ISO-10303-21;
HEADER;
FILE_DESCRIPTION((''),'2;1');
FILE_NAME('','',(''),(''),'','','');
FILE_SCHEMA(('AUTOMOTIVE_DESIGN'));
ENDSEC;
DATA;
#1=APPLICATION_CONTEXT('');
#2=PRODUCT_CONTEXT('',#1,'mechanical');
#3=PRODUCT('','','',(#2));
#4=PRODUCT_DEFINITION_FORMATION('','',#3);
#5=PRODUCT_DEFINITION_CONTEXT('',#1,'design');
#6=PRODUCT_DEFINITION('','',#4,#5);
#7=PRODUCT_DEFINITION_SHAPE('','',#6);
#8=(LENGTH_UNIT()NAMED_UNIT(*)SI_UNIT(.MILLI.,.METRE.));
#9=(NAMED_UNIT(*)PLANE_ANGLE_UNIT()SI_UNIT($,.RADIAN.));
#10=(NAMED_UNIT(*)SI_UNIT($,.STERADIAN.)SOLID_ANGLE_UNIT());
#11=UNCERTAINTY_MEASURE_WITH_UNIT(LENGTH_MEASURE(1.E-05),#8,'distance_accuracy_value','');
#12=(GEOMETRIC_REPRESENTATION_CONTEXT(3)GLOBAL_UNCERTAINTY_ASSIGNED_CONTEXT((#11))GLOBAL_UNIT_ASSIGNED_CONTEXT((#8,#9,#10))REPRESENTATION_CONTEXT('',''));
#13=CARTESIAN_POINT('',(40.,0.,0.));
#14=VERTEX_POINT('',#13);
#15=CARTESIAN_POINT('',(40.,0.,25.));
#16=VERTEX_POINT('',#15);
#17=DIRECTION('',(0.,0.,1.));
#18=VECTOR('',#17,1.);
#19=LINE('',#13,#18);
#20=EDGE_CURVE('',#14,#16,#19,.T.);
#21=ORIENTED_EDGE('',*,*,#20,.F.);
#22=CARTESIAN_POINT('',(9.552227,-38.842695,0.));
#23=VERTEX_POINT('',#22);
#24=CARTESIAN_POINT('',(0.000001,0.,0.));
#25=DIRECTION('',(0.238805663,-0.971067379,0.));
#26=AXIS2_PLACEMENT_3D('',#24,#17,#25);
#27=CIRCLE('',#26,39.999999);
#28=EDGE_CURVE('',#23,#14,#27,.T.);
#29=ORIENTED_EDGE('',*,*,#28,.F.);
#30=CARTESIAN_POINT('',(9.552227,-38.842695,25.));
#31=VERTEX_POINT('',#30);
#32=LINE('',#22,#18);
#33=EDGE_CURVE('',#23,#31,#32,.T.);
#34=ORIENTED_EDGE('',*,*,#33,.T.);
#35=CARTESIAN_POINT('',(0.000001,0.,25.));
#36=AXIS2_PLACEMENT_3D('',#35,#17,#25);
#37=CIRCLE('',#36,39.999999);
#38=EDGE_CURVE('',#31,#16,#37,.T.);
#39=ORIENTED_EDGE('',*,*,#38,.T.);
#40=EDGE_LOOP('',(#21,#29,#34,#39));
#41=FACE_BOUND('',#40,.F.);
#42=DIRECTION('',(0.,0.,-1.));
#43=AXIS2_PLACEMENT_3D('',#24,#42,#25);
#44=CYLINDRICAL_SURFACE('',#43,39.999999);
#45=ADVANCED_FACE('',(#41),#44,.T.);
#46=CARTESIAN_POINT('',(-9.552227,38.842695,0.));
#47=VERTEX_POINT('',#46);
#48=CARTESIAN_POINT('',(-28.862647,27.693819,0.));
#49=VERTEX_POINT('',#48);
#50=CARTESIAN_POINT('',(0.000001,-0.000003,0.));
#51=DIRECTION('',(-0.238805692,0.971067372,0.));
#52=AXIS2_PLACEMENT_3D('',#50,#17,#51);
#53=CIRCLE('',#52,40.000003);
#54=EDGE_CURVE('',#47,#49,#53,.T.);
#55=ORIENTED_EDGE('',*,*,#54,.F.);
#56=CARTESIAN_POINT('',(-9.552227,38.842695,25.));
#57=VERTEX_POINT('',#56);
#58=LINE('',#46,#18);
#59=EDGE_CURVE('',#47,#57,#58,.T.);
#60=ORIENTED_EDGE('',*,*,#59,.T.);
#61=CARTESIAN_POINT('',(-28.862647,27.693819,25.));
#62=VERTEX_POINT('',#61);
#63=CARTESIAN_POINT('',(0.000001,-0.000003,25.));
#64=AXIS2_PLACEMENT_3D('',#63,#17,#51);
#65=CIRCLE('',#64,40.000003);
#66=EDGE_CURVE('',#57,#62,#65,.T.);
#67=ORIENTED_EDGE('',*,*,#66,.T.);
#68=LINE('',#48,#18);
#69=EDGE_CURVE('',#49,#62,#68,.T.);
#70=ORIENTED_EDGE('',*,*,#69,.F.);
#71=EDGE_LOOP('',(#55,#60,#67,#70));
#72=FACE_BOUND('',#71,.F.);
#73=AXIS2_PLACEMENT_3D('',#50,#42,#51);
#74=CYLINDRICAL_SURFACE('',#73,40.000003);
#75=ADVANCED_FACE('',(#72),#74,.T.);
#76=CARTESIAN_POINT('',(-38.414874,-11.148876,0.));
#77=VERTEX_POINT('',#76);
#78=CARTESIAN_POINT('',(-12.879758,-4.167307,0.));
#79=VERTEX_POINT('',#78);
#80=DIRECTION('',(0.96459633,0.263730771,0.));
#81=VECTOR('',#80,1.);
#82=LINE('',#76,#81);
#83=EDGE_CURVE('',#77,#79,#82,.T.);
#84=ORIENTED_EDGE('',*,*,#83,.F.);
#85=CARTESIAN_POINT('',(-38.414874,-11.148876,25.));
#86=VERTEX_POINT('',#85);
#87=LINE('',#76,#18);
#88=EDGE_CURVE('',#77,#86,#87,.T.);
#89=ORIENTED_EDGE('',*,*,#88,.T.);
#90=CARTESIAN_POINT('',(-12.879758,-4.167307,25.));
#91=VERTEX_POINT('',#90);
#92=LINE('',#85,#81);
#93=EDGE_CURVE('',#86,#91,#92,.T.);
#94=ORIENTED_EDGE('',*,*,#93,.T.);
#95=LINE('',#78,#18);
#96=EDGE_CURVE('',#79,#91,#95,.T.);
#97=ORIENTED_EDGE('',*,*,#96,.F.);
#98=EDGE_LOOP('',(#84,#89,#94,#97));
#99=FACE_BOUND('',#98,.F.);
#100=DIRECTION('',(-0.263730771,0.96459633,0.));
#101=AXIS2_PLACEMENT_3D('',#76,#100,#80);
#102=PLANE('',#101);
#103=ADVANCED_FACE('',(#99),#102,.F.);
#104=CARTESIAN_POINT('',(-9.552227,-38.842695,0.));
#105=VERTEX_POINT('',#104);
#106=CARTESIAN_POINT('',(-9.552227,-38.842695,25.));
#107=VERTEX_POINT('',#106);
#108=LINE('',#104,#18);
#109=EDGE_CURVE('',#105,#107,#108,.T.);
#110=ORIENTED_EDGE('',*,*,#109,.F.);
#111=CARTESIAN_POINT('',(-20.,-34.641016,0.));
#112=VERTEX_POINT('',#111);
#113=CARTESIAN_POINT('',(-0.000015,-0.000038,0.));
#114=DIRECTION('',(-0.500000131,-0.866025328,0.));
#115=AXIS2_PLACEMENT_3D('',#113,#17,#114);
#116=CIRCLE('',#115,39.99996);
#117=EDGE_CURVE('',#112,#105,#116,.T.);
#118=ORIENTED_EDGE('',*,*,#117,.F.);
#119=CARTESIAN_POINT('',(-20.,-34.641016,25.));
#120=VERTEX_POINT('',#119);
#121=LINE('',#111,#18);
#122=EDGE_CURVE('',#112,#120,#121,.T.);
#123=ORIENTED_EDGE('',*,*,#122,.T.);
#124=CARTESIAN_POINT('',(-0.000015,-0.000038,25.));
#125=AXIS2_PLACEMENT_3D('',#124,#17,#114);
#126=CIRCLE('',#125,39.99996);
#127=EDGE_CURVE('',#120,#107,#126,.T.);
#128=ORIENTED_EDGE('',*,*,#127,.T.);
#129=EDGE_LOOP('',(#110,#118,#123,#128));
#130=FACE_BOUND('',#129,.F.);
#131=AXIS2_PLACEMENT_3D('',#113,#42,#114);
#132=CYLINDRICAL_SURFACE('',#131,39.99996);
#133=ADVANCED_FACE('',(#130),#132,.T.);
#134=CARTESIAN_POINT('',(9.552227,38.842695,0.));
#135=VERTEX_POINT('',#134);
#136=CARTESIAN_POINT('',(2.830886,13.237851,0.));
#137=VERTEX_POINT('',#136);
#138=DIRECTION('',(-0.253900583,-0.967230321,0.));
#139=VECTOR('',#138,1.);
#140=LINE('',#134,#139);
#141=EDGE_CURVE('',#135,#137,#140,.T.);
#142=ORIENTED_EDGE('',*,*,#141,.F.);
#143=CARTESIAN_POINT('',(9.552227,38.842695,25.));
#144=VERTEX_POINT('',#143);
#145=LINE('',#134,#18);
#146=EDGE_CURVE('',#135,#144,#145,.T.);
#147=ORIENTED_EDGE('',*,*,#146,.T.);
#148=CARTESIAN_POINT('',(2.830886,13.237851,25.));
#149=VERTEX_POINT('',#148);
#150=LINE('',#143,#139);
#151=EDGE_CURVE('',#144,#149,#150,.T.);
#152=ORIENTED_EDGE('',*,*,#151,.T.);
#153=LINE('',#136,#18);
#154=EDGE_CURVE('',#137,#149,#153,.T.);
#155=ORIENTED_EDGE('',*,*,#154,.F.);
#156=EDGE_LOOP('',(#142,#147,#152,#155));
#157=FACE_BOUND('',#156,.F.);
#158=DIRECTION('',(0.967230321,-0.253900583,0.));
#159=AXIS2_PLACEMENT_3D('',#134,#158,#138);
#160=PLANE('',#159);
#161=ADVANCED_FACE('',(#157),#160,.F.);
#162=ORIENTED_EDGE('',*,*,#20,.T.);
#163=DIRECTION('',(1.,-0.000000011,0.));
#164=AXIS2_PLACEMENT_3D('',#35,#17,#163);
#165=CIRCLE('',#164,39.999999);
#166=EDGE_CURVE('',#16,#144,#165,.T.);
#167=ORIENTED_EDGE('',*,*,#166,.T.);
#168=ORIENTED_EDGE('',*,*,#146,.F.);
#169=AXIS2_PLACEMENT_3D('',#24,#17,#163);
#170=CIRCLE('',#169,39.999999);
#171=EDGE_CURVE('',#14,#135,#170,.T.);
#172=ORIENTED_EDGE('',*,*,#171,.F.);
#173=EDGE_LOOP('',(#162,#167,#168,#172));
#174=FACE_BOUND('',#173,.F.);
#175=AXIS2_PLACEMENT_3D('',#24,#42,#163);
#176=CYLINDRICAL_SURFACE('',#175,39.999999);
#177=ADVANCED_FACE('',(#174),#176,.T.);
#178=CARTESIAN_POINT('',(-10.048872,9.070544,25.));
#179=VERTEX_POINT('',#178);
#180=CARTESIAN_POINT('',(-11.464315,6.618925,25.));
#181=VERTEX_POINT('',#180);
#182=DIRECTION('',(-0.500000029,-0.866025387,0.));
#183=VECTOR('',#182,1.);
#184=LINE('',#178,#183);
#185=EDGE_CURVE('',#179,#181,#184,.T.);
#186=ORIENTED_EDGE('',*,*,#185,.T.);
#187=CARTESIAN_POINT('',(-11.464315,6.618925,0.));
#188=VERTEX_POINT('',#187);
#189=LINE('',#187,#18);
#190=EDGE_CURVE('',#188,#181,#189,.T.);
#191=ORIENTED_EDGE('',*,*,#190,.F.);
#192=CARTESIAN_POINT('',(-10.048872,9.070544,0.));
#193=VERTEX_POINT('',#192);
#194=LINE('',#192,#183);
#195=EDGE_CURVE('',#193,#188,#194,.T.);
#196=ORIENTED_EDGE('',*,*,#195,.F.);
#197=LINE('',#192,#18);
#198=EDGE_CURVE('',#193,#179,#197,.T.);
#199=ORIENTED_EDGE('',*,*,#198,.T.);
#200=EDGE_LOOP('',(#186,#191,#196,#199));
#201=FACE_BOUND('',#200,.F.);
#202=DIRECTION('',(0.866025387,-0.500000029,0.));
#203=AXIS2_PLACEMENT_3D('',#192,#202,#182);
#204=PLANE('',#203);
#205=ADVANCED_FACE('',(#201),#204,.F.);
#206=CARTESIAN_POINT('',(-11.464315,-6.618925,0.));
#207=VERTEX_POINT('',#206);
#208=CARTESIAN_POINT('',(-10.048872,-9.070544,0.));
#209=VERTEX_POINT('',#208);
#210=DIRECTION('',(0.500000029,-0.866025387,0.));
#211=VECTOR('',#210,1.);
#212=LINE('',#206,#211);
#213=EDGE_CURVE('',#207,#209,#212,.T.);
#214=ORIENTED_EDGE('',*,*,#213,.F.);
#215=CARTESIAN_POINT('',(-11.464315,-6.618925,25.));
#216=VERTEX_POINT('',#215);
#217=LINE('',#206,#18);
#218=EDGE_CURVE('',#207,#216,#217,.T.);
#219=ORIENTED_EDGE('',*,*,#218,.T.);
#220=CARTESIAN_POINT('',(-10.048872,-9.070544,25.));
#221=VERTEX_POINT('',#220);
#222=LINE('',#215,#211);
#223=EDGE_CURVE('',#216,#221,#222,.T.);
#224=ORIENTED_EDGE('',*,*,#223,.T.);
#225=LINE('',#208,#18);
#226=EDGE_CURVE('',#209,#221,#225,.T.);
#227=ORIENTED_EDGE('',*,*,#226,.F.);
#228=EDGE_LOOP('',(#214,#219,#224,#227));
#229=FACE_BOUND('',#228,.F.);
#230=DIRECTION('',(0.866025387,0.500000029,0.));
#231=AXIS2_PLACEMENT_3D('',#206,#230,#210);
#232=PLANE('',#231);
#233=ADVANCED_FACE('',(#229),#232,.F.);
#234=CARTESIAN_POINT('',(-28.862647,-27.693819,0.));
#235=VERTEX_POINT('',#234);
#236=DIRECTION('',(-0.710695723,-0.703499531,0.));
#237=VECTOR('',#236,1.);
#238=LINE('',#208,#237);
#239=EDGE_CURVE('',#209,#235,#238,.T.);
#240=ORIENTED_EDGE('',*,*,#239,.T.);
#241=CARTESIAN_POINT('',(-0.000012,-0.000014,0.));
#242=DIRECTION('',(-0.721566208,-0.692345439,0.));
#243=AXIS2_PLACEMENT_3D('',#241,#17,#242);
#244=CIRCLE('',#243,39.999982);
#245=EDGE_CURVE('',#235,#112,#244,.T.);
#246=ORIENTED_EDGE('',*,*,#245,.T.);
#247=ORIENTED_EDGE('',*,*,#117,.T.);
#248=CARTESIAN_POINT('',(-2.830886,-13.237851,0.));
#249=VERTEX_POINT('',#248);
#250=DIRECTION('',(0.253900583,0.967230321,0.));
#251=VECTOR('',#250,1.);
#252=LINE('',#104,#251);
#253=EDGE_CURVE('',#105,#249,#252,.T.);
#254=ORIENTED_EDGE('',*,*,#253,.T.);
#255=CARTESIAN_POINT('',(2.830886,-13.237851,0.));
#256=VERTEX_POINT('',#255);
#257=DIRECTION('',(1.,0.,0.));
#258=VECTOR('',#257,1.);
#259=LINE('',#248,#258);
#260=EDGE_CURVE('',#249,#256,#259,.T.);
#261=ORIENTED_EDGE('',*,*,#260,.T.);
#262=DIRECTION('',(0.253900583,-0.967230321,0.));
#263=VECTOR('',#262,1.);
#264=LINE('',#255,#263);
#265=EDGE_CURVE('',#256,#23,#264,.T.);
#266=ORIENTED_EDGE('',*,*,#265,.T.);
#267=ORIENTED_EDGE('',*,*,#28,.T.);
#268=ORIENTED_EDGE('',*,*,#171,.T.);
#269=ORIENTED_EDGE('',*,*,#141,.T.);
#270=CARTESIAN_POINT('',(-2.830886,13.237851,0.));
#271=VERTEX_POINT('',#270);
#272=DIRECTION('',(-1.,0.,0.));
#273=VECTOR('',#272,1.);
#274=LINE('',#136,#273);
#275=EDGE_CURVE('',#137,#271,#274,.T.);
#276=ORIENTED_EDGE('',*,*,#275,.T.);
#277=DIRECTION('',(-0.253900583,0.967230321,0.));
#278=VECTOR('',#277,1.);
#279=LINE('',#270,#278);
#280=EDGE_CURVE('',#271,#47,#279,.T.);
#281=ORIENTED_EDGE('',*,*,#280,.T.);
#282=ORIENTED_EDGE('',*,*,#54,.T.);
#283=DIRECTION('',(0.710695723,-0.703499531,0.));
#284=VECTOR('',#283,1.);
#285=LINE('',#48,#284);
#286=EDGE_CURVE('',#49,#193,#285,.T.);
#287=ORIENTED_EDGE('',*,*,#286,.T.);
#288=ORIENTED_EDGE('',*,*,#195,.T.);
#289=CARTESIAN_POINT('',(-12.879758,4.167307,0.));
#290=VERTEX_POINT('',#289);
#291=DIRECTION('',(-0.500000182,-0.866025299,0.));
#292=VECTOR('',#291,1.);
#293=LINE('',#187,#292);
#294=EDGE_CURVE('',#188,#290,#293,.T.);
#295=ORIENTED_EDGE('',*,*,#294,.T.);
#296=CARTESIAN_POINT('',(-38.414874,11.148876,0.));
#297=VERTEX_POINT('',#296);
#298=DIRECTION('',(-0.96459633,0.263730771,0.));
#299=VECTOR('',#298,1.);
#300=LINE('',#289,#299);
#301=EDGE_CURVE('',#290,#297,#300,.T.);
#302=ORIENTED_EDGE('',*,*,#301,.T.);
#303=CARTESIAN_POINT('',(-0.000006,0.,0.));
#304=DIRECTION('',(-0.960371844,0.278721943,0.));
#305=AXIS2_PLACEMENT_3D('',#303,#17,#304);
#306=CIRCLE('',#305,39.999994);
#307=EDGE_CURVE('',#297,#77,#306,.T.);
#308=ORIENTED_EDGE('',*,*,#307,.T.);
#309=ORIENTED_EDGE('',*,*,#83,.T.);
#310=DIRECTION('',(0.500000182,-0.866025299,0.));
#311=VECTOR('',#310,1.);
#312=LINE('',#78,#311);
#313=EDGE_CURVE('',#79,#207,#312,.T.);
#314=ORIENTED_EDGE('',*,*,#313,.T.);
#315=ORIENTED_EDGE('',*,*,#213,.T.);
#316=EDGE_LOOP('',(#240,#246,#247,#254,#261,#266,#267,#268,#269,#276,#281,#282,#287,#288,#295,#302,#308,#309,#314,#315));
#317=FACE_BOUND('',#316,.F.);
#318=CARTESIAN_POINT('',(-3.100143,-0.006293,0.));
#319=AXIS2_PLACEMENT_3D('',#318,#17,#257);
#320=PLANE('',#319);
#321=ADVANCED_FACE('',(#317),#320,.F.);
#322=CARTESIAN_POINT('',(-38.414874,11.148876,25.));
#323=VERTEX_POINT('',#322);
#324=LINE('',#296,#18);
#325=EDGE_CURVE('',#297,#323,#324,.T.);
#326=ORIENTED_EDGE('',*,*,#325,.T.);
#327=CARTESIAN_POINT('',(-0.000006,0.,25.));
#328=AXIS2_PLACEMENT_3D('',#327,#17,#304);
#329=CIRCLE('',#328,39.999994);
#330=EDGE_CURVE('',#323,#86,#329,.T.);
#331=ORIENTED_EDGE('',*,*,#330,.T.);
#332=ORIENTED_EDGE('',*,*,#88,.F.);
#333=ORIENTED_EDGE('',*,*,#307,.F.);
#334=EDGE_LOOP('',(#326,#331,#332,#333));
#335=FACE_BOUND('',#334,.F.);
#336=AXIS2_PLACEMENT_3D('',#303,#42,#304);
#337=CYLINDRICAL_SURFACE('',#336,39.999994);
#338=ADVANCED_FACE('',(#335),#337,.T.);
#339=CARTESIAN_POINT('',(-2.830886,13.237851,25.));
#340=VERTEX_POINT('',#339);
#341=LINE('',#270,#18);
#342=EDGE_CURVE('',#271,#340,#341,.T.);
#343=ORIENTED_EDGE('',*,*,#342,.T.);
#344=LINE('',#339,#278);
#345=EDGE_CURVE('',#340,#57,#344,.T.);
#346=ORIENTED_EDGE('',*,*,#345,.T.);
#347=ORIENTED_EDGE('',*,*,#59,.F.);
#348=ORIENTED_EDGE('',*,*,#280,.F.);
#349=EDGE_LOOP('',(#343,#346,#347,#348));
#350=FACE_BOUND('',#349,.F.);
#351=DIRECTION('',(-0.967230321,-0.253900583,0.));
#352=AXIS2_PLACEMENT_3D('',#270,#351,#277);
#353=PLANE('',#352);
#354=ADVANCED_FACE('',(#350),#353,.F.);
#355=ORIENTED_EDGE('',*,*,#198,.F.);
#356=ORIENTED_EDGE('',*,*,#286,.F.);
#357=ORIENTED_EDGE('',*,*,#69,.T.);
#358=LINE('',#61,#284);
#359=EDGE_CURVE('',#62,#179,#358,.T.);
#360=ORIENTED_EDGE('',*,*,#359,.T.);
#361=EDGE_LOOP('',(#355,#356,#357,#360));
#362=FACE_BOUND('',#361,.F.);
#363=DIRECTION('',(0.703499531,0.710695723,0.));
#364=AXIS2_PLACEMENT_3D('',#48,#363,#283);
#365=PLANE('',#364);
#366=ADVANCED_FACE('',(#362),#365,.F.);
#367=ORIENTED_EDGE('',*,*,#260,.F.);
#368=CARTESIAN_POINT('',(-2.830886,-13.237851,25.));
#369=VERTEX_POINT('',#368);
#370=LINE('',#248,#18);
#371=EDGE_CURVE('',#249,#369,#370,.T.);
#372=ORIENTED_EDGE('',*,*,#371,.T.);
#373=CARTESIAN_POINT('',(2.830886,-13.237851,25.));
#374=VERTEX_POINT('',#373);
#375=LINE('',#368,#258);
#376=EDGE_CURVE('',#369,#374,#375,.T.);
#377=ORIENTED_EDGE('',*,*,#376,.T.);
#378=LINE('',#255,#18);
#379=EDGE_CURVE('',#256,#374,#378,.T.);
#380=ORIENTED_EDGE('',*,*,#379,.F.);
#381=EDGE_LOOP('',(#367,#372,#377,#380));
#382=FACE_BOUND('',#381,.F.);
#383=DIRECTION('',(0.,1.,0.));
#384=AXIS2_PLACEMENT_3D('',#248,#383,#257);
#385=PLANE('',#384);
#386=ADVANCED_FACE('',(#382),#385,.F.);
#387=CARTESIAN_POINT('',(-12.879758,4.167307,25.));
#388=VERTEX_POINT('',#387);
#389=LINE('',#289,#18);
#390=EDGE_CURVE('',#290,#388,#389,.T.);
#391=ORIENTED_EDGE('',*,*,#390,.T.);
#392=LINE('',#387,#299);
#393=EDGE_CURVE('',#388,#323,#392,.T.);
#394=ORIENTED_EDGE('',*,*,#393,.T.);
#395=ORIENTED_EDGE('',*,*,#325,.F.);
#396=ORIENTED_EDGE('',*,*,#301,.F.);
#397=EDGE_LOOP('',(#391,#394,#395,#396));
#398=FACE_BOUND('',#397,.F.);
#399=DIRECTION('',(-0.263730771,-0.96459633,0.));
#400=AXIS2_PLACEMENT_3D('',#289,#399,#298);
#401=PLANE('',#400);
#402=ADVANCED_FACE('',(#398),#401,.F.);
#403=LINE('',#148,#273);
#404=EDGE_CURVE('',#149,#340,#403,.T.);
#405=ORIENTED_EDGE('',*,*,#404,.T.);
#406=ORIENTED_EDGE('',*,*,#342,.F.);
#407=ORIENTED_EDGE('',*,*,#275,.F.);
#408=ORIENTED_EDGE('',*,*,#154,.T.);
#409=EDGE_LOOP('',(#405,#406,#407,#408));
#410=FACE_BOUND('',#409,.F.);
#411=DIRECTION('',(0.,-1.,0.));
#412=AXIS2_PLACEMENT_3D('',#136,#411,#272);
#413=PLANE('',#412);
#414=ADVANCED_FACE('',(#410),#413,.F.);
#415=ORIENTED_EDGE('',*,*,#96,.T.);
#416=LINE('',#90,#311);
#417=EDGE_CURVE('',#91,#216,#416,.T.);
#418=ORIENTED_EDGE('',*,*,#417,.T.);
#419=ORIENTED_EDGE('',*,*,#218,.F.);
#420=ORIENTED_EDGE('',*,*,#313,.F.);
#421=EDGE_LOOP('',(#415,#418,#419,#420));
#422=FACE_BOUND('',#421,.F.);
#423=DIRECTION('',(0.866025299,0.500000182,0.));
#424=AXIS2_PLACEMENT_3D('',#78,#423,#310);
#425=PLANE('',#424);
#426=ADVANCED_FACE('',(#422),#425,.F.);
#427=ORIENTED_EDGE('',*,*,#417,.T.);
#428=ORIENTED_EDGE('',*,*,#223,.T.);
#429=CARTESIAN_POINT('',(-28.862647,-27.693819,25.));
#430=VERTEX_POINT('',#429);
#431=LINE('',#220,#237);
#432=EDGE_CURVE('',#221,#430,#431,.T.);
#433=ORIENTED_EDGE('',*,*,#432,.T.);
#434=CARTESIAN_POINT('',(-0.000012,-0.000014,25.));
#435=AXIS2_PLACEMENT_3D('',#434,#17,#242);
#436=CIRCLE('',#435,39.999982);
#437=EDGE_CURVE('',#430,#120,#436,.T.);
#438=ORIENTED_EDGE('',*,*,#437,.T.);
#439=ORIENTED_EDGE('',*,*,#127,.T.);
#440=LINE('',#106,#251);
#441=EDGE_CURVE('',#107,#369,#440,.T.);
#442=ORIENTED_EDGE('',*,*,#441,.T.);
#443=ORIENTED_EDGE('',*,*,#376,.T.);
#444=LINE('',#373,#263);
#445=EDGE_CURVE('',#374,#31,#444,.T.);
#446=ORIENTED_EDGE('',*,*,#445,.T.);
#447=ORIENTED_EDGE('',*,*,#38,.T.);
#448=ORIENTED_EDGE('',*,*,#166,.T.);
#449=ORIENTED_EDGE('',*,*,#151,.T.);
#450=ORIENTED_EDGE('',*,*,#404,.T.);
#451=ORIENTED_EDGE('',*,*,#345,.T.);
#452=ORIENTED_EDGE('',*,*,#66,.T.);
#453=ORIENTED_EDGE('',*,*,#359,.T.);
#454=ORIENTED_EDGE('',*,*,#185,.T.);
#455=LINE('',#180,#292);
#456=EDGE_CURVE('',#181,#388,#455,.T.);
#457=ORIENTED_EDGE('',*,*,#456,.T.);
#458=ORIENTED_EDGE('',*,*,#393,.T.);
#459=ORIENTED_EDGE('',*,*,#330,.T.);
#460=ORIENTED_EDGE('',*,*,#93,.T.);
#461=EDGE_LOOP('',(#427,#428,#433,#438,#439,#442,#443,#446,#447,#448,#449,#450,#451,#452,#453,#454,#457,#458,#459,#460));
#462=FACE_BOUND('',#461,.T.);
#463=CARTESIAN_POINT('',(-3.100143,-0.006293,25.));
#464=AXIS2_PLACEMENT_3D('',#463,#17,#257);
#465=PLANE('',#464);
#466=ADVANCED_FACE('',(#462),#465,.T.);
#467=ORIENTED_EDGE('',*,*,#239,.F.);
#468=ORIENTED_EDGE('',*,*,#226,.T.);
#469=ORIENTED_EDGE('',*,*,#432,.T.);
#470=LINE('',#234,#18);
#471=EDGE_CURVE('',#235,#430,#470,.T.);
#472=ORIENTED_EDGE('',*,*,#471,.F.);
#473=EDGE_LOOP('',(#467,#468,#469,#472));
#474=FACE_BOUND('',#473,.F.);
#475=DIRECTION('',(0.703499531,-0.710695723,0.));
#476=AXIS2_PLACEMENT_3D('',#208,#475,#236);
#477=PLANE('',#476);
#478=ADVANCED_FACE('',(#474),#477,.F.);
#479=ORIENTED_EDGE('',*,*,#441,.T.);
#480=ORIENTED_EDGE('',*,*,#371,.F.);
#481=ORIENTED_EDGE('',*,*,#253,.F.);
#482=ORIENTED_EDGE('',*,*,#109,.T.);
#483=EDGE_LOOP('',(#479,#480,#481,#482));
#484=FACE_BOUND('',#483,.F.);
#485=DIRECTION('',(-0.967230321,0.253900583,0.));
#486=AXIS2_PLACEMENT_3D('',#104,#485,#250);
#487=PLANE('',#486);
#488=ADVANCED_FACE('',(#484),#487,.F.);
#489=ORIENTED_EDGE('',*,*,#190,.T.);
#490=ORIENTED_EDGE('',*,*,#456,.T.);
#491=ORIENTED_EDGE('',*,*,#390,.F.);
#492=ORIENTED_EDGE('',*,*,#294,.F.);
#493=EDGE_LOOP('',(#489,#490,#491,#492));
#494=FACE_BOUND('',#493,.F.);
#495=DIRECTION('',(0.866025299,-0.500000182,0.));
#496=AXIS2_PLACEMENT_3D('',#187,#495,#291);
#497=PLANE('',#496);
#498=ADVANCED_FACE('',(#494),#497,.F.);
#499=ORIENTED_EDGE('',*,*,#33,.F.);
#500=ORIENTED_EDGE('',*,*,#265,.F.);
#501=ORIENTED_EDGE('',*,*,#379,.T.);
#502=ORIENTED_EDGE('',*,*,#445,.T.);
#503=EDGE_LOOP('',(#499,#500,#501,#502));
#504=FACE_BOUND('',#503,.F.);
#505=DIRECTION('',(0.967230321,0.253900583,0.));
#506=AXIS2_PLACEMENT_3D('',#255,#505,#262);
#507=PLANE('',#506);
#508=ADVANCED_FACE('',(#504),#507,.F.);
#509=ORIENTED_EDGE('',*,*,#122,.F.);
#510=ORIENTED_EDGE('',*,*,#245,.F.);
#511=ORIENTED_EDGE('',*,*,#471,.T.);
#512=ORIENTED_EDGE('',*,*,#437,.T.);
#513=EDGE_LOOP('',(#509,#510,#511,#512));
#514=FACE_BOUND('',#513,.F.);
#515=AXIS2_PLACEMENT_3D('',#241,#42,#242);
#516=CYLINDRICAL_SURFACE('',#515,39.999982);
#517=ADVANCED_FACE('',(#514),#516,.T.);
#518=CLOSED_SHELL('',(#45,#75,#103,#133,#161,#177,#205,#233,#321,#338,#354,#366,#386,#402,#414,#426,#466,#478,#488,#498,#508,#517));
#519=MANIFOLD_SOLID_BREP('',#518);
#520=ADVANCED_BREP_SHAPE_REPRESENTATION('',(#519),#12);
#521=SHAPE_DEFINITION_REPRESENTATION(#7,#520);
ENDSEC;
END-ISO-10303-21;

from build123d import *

# Parameters (mm, degrees)
F1_DEPTH = 25


with BuildPart() as f1:
    # F0 (on Top) → F1 (new body)
    with BuildSketch(Plane.XY):
        with BuildLine():
            ThreePointArc((9.552227, -38.842695), (31.48086, -24.677023), (40, 0))
            ThreePointArc((40, 0), (31.48086, 24.677023), (9.552227, 38.842695))
            Line((9.552227, 38.842695), (2.830886, 13.237851))
            Line((2.830886, 13.237851), (0, 13.237851))
            Line((0, 13.237851), (-2.830886, 13.237851))
            Line((-2.830886, 13.237851), (-9.552227, 38.842695))
            ThreePointArc((-9.552227, 38.842695), (-20, 34.641016), (-28.862647, 27.693819))
            Line((-28.862647, 27.693819), (-10.048872, 9.070544))
            Line((-10.048872, 9.070544), (-11.464315, 6.618925))
            Line((-11.464315, 6.618925), (-12.879758, 4.167307))
            Line((-12.879758, 4.167307), (-38.414874, 11.148876))
            ThreePointArc((-38.414874, 11.148876), (-40, 0), (-38.414874, -11.148876))
            Line((-38.414874, -11.148876), (-12.879758, -4.167307))
            Line((-12.879758, -4.167307), (-11.464315, -6.618925))
            Line((-11.464315, -6.618925), (-10.048872, -9.070544))
            Line((-10.048872, -9.070544), (-28.862647, -27.693819))
            ThreePointArc((-28.862647, -27.693819), (-24.677023, -31.48086), (-20, -34.641016))
            ThreePointArc((-20, -34.641016), (-14.924713, -37.111359), (-9.552227, -38.842695))
            Line((-9.552227, -38.842695), (-2.830886, -13.237851))
            Line((-2.830886, -13.237851), (0, -13.237851))
            Line((0, -13.237851), (2.830886, -13.237851))
            Line((2.830886, -13.237851), (9.552227, -38.842695))
        make_face()
    extrude(amount=F1_DEPTH)


solid = f1.part
